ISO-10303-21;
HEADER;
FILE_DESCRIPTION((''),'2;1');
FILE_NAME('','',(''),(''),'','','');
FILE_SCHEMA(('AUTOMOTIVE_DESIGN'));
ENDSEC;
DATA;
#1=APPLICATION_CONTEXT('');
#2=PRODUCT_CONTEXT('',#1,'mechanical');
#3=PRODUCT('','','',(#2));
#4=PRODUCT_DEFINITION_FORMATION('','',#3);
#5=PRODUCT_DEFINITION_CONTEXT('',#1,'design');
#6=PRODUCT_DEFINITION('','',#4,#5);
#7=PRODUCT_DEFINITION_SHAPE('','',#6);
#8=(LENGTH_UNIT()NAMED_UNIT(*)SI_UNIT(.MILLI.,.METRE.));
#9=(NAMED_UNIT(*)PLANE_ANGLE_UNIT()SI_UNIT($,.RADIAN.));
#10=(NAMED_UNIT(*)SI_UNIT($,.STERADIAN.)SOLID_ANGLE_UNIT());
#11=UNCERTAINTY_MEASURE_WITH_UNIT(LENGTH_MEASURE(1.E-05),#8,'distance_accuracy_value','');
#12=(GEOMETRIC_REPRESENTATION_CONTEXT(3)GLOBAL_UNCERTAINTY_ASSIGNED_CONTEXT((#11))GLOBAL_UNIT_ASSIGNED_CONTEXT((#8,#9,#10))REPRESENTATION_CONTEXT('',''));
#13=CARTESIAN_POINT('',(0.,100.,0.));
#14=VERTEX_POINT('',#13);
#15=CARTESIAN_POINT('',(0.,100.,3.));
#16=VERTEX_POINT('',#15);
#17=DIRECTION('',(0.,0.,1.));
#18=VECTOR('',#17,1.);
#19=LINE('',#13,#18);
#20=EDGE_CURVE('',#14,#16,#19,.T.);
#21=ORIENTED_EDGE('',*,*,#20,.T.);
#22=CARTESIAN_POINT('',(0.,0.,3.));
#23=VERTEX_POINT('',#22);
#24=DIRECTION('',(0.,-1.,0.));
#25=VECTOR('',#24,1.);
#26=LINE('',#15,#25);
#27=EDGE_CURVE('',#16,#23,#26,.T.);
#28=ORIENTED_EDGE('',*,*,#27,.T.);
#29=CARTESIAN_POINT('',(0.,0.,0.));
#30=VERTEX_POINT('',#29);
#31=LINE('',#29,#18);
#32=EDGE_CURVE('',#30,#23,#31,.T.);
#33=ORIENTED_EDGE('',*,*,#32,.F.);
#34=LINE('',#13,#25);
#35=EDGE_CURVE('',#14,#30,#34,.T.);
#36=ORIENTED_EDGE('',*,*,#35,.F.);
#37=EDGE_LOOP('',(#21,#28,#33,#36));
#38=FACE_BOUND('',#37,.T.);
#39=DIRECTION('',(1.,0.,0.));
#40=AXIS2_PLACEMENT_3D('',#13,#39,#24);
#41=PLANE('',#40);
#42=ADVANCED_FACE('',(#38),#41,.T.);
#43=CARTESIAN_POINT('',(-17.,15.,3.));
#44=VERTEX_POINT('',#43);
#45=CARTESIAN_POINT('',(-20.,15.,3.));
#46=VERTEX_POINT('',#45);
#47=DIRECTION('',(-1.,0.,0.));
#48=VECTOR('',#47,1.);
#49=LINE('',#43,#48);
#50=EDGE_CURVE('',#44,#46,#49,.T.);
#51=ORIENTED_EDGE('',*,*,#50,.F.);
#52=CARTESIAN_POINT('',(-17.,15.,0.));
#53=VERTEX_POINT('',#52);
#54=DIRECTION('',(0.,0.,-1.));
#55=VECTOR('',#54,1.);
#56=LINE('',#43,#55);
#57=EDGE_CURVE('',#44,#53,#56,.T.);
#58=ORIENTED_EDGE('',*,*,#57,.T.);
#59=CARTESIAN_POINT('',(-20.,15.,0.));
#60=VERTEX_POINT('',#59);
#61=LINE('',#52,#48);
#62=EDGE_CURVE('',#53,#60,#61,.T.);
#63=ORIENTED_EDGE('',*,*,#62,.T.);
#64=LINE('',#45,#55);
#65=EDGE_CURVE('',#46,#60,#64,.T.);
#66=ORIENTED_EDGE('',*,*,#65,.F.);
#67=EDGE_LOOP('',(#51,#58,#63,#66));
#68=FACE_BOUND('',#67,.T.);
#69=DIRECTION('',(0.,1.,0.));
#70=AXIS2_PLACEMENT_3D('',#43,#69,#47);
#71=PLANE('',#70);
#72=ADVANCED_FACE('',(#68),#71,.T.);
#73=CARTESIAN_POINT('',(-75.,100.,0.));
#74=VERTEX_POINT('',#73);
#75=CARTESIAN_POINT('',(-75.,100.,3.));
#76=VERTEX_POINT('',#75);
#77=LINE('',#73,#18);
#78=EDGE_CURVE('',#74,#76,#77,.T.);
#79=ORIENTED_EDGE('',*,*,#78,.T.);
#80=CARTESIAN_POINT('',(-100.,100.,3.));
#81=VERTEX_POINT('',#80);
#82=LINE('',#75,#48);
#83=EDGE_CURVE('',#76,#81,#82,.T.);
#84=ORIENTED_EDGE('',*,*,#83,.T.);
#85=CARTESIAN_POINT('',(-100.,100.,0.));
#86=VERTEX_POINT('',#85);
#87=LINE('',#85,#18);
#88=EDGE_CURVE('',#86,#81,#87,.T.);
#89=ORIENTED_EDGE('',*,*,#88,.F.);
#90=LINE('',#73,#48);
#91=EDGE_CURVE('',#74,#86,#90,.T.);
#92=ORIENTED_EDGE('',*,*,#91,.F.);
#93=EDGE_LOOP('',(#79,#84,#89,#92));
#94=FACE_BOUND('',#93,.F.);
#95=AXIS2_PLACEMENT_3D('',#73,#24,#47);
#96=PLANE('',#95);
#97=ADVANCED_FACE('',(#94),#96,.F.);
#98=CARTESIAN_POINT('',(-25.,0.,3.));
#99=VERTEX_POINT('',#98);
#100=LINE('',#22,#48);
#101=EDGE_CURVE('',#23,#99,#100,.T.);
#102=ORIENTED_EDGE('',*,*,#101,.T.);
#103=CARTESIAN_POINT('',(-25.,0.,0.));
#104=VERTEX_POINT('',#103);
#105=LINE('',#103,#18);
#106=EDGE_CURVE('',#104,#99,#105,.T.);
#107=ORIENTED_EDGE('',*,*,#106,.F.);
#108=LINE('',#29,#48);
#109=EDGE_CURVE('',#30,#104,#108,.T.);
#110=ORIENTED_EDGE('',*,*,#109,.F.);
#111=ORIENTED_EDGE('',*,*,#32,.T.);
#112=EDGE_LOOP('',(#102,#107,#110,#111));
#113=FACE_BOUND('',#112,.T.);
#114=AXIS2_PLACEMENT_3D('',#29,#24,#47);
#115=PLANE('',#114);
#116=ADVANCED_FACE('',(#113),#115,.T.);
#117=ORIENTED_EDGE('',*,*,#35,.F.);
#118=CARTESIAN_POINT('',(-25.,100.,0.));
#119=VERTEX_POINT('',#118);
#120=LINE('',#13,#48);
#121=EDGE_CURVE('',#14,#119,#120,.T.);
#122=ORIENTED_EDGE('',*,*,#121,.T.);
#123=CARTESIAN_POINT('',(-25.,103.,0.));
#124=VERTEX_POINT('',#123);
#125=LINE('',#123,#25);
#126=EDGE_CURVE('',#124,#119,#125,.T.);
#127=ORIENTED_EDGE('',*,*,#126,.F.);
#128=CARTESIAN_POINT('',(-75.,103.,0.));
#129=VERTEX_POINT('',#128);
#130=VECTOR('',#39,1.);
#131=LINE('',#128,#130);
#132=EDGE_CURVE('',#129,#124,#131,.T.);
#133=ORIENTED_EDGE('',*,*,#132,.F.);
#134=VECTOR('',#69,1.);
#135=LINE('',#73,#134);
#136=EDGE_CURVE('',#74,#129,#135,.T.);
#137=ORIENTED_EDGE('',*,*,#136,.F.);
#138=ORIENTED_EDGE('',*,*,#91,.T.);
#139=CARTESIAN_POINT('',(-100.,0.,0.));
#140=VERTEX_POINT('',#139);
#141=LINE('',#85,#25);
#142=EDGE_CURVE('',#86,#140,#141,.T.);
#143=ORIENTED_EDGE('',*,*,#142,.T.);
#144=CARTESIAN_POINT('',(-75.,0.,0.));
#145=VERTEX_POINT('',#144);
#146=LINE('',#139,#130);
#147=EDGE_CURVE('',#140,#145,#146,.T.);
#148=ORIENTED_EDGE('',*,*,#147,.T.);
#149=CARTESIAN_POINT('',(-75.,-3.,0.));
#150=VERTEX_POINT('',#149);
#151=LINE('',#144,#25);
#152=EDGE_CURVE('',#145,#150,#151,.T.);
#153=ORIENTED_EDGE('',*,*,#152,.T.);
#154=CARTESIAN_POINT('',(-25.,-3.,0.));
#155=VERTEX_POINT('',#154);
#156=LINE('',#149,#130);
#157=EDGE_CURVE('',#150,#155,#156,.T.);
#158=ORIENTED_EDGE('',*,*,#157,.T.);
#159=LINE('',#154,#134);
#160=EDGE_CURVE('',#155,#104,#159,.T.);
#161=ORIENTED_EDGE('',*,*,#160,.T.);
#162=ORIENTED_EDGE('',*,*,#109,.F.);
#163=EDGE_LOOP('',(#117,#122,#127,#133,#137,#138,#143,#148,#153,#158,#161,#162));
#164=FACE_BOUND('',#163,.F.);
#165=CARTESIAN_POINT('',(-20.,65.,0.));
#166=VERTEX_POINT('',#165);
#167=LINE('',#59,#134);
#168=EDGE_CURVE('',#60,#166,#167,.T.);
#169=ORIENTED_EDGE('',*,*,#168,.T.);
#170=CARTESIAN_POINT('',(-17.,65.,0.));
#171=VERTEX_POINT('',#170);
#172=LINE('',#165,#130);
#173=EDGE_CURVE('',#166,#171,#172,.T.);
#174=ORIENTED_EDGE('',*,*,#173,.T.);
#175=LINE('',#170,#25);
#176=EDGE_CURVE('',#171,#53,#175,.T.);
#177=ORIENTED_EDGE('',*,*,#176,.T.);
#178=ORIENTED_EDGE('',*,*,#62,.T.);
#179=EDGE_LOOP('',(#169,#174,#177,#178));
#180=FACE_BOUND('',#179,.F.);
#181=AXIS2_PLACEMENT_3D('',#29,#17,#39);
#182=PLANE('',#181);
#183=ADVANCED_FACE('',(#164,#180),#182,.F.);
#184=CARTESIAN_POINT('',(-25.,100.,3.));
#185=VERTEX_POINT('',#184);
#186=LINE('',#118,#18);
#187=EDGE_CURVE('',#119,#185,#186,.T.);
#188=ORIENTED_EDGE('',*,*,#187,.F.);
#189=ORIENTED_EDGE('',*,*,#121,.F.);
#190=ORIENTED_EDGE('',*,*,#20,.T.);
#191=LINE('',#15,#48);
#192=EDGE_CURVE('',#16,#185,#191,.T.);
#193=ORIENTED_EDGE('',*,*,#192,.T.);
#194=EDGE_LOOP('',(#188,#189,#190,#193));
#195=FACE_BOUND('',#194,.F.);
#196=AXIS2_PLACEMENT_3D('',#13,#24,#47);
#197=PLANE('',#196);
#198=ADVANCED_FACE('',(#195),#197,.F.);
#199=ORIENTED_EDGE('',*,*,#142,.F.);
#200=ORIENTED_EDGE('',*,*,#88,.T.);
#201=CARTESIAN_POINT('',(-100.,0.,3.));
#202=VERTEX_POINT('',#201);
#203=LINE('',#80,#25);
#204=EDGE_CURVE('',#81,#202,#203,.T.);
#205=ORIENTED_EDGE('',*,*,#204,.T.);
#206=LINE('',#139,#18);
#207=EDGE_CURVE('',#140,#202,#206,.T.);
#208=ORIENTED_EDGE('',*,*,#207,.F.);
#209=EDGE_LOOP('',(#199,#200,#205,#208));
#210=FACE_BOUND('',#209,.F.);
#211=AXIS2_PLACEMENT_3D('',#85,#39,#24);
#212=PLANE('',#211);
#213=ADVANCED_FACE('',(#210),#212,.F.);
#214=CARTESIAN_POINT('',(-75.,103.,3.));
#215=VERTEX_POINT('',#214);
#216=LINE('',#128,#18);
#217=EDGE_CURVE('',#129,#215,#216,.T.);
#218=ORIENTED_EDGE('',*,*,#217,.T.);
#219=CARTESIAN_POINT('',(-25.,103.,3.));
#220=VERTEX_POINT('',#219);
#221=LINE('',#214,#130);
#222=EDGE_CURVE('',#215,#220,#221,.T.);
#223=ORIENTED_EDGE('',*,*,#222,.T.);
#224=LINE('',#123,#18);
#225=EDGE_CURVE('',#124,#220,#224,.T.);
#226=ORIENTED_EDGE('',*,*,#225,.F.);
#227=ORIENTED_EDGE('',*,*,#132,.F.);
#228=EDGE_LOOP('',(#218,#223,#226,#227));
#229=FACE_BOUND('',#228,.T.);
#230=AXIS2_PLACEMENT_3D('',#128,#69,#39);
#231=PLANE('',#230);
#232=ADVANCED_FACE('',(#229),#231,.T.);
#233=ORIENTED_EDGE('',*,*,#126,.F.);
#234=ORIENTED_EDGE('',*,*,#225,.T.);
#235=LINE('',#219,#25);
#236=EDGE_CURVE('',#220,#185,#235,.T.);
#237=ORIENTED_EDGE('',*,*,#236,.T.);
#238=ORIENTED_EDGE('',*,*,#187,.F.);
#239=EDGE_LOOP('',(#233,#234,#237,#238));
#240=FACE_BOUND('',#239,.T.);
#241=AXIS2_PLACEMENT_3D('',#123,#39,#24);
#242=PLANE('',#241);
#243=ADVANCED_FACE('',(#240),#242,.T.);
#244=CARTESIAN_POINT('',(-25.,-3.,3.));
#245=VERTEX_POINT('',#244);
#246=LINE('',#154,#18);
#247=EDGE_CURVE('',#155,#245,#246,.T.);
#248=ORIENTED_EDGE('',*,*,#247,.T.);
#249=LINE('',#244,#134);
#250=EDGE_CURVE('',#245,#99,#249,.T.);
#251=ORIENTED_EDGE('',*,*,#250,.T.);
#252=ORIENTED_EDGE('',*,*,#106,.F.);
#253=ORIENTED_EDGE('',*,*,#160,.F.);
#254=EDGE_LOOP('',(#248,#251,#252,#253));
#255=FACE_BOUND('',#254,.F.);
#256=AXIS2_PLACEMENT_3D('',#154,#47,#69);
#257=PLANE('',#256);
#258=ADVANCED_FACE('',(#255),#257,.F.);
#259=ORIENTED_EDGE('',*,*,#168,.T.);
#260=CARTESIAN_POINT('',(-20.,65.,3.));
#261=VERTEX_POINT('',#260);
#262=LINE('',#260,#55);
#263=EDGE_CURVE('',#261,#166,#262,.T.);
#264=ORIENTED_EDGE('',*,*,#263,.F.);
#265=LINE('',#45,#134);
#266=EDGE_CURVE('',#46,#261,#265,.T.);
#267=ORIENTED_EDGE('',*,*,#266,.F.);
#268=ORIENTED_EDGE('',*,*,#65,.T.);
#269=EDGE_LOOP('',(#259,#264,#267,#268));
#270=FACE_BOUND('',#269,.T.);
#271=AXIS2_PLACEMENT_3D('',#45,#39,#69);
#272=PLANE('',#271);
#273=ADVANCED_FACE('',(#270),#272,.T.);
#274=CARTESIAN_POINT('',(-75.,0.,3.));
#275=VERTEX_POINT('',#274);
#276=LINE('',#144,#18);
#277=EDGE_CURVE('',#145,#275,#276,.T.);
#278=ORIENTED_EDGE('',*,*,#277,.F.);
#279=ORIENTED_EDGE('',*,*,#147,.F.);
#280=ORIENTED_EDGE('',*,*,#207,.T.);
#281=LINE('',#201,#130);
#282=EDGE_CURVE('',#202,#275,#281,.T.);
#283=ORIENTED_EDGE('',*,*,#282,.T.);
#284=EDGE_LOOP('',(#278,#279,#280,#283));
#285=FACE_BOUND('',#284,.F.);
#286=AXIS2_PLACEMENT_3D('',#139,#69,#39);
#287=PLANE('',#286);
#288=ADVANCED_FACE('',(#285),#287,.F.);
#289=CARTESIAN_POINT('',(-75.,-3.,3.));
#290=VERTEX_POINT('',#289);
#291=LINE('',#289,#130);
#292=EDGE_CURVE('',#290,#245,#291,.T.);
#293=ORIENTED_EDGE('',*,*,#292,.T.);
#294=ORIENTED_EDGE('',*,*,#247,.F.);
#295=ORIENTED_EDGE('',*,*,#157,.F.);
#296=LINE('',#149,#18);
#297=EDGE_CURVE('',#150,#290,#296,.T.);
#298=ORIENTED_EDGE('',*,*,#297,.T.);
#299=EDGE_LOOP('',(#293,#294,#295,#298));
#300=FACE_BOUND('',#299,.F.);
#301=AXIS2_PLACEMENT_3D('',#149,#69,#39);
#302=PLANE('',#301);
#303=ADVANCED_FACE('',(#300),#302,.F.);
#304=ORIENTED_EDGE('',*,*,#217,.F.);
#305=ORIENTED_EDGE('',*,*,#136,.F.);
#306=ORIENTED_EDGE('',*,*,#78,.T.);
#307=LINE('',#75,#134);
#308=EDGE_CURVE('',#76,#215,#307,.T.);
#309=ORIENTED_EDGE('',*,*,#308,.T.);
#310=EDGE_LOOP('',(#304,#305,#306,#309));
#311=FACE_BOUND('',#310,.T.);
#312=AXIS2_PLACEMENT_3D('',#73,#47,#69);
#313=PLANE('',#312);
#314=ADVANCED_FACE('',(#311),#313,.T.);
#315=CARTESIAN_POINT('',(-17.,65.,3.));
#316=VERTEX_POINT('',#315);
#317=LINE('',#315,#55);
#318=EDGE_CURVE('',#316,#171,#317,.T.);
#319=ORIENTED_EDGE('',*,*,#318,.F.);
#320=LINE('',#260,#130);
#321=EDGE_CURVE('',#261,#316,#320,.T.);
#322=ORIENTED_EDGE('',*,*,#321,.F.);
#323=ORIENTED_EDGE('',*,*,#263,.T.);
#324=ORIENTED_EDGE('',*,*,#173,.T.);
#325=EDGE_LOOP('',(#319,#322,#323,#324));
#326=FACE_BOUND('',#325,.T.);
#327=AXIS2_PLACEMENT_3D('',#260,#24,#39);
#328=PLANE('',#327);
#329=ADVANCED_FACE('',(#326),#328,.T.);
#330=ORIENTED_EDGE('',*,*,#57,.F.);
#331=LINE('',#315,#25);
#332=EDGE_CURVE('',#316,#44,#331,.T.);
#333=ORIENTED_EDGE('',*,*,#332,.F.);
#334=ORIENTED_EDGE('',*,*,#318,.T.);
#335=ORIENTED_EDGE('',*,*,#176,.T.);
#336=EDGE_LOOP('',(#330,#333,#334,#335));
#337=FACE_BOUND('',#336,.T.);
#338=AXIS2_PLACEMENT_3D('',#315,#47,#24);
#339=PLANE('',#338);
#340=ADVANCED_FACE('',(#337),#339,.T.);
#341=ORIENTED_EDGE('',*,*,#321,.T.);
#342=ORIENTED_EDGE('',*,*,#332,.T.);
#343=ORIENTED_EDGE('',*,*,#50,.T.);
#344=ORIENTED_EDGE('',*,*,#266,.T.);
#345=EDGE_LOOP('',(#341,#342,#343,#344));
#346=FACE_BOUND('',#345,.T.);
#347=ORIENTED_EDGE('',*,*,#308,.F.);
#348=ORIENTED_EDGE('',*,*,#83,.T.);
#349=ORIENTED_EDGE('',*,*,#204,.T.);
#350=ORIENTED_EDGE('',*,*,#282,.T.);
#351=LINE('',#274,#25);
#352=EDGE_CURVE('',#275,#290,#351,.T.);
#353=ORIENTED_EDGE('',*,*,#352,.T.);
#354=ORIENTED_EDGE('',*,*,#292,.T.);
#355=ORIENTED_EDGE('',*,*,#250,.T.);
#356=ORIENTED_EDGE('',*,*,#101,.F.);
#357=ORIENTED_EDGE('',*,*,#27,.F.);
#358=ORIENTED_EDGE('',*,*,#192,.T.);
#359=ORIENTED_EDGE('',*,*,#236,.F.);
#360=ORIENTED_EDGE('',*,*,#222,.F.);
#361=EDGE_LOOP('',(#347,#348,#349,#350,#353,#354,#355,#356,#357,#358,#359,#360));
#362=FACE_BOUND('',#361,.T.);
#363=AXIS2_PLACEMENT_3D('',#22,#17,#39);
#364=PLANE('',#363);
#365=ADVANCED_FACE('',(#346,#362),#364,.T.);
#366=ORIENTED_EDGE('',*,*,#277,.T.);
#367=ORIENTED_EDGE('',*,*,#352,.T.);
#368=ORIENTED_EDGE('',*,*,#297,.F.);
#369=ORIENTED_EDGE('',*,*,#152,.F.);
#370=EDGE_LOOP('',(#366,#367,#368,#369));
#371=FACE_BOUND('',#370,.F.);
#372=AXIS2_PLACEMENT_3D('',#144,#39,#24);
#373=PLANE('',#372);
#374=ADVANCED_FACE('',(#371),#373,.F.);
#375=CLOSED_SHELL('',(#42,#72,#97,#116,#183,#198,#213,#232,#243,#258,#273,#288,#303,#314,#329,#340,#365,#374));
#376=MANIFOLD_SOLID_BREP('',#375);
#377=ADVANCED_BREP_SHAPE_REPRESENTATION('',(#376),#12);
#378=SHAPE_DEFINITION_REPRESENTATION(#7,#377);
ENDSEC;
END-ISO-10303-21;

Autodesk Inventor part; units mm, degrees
ref_plane "YZ Plane" through (0, 0, 0) normal (1, 0, 0) x (0, 1, 0)
ref_plane "XZ Plane" through (0, 0, 0) normal (0, 1, 0) x (-1, 0, 0)
ref_plane "XY Plane" through (0, 0, 0) normal (0, 0, 1) x (1, 0, 0)
sketch "Boceto1" plane through (0, 0, 0) normal (0, 0, 1) x (1, 0, 0)
  line L0 (0, 100) -> (0, 0)
  line L1 (-75, 0) -> (-75, -3)
  line L2 (-75, -3) -> (-25, -3)
  line L3 (-25, -3) -> (-25, 0)
  line L4 (0, 0) -> (-25, 0)
  line L5 (-100, 0) -> (-75, 0)
  line L6 (-75, 100) -> (-75, 103)
  line L7 (-75, 103) -> (-25, 103)
  line L8 (-25, 103) -> (-25, 100)
  line L9 (0, 100) -> (-25, 100)
  line L10 (-75, 100) -> (-100, 100)
  line L11 (-100, 100) -> (-100, 0)
  dimension "d1" = 100
  dimension "d4" = 50
  dimension "d5" = 25
  dimension "d10" = 3
  dimension "d13" = 50
  dimension "d14" = 3
  dimension "d37" = 100
extrude "Extrusión2" add sketch "Boceto1" along normal blind 3
sketch "Boceto2" plane through (0, 0, 3) normal (0, 0, 1) x (1, 0, 0)
  line L0 (-20, 65) -> (-17, 65)
  line L1 (-17, 65) -> (-17, 15)
  line L2 (-17, 15) -> (-20, 15)
  line L3 (-20, 15) -> (-20, 65)
  line L4 (-25, 0) -> (0, 0) projected
  line L5 (-100, 100) -> (-100, 0) projected
  dimension "d38" = 3
  dimension "d39" = 50
  dimension "d40" = 15
  dimension "d41" = 80
extrude "Extrusión3" cut sketch "Boceto2" against normal blind 3
properties part number "Control lateral"
